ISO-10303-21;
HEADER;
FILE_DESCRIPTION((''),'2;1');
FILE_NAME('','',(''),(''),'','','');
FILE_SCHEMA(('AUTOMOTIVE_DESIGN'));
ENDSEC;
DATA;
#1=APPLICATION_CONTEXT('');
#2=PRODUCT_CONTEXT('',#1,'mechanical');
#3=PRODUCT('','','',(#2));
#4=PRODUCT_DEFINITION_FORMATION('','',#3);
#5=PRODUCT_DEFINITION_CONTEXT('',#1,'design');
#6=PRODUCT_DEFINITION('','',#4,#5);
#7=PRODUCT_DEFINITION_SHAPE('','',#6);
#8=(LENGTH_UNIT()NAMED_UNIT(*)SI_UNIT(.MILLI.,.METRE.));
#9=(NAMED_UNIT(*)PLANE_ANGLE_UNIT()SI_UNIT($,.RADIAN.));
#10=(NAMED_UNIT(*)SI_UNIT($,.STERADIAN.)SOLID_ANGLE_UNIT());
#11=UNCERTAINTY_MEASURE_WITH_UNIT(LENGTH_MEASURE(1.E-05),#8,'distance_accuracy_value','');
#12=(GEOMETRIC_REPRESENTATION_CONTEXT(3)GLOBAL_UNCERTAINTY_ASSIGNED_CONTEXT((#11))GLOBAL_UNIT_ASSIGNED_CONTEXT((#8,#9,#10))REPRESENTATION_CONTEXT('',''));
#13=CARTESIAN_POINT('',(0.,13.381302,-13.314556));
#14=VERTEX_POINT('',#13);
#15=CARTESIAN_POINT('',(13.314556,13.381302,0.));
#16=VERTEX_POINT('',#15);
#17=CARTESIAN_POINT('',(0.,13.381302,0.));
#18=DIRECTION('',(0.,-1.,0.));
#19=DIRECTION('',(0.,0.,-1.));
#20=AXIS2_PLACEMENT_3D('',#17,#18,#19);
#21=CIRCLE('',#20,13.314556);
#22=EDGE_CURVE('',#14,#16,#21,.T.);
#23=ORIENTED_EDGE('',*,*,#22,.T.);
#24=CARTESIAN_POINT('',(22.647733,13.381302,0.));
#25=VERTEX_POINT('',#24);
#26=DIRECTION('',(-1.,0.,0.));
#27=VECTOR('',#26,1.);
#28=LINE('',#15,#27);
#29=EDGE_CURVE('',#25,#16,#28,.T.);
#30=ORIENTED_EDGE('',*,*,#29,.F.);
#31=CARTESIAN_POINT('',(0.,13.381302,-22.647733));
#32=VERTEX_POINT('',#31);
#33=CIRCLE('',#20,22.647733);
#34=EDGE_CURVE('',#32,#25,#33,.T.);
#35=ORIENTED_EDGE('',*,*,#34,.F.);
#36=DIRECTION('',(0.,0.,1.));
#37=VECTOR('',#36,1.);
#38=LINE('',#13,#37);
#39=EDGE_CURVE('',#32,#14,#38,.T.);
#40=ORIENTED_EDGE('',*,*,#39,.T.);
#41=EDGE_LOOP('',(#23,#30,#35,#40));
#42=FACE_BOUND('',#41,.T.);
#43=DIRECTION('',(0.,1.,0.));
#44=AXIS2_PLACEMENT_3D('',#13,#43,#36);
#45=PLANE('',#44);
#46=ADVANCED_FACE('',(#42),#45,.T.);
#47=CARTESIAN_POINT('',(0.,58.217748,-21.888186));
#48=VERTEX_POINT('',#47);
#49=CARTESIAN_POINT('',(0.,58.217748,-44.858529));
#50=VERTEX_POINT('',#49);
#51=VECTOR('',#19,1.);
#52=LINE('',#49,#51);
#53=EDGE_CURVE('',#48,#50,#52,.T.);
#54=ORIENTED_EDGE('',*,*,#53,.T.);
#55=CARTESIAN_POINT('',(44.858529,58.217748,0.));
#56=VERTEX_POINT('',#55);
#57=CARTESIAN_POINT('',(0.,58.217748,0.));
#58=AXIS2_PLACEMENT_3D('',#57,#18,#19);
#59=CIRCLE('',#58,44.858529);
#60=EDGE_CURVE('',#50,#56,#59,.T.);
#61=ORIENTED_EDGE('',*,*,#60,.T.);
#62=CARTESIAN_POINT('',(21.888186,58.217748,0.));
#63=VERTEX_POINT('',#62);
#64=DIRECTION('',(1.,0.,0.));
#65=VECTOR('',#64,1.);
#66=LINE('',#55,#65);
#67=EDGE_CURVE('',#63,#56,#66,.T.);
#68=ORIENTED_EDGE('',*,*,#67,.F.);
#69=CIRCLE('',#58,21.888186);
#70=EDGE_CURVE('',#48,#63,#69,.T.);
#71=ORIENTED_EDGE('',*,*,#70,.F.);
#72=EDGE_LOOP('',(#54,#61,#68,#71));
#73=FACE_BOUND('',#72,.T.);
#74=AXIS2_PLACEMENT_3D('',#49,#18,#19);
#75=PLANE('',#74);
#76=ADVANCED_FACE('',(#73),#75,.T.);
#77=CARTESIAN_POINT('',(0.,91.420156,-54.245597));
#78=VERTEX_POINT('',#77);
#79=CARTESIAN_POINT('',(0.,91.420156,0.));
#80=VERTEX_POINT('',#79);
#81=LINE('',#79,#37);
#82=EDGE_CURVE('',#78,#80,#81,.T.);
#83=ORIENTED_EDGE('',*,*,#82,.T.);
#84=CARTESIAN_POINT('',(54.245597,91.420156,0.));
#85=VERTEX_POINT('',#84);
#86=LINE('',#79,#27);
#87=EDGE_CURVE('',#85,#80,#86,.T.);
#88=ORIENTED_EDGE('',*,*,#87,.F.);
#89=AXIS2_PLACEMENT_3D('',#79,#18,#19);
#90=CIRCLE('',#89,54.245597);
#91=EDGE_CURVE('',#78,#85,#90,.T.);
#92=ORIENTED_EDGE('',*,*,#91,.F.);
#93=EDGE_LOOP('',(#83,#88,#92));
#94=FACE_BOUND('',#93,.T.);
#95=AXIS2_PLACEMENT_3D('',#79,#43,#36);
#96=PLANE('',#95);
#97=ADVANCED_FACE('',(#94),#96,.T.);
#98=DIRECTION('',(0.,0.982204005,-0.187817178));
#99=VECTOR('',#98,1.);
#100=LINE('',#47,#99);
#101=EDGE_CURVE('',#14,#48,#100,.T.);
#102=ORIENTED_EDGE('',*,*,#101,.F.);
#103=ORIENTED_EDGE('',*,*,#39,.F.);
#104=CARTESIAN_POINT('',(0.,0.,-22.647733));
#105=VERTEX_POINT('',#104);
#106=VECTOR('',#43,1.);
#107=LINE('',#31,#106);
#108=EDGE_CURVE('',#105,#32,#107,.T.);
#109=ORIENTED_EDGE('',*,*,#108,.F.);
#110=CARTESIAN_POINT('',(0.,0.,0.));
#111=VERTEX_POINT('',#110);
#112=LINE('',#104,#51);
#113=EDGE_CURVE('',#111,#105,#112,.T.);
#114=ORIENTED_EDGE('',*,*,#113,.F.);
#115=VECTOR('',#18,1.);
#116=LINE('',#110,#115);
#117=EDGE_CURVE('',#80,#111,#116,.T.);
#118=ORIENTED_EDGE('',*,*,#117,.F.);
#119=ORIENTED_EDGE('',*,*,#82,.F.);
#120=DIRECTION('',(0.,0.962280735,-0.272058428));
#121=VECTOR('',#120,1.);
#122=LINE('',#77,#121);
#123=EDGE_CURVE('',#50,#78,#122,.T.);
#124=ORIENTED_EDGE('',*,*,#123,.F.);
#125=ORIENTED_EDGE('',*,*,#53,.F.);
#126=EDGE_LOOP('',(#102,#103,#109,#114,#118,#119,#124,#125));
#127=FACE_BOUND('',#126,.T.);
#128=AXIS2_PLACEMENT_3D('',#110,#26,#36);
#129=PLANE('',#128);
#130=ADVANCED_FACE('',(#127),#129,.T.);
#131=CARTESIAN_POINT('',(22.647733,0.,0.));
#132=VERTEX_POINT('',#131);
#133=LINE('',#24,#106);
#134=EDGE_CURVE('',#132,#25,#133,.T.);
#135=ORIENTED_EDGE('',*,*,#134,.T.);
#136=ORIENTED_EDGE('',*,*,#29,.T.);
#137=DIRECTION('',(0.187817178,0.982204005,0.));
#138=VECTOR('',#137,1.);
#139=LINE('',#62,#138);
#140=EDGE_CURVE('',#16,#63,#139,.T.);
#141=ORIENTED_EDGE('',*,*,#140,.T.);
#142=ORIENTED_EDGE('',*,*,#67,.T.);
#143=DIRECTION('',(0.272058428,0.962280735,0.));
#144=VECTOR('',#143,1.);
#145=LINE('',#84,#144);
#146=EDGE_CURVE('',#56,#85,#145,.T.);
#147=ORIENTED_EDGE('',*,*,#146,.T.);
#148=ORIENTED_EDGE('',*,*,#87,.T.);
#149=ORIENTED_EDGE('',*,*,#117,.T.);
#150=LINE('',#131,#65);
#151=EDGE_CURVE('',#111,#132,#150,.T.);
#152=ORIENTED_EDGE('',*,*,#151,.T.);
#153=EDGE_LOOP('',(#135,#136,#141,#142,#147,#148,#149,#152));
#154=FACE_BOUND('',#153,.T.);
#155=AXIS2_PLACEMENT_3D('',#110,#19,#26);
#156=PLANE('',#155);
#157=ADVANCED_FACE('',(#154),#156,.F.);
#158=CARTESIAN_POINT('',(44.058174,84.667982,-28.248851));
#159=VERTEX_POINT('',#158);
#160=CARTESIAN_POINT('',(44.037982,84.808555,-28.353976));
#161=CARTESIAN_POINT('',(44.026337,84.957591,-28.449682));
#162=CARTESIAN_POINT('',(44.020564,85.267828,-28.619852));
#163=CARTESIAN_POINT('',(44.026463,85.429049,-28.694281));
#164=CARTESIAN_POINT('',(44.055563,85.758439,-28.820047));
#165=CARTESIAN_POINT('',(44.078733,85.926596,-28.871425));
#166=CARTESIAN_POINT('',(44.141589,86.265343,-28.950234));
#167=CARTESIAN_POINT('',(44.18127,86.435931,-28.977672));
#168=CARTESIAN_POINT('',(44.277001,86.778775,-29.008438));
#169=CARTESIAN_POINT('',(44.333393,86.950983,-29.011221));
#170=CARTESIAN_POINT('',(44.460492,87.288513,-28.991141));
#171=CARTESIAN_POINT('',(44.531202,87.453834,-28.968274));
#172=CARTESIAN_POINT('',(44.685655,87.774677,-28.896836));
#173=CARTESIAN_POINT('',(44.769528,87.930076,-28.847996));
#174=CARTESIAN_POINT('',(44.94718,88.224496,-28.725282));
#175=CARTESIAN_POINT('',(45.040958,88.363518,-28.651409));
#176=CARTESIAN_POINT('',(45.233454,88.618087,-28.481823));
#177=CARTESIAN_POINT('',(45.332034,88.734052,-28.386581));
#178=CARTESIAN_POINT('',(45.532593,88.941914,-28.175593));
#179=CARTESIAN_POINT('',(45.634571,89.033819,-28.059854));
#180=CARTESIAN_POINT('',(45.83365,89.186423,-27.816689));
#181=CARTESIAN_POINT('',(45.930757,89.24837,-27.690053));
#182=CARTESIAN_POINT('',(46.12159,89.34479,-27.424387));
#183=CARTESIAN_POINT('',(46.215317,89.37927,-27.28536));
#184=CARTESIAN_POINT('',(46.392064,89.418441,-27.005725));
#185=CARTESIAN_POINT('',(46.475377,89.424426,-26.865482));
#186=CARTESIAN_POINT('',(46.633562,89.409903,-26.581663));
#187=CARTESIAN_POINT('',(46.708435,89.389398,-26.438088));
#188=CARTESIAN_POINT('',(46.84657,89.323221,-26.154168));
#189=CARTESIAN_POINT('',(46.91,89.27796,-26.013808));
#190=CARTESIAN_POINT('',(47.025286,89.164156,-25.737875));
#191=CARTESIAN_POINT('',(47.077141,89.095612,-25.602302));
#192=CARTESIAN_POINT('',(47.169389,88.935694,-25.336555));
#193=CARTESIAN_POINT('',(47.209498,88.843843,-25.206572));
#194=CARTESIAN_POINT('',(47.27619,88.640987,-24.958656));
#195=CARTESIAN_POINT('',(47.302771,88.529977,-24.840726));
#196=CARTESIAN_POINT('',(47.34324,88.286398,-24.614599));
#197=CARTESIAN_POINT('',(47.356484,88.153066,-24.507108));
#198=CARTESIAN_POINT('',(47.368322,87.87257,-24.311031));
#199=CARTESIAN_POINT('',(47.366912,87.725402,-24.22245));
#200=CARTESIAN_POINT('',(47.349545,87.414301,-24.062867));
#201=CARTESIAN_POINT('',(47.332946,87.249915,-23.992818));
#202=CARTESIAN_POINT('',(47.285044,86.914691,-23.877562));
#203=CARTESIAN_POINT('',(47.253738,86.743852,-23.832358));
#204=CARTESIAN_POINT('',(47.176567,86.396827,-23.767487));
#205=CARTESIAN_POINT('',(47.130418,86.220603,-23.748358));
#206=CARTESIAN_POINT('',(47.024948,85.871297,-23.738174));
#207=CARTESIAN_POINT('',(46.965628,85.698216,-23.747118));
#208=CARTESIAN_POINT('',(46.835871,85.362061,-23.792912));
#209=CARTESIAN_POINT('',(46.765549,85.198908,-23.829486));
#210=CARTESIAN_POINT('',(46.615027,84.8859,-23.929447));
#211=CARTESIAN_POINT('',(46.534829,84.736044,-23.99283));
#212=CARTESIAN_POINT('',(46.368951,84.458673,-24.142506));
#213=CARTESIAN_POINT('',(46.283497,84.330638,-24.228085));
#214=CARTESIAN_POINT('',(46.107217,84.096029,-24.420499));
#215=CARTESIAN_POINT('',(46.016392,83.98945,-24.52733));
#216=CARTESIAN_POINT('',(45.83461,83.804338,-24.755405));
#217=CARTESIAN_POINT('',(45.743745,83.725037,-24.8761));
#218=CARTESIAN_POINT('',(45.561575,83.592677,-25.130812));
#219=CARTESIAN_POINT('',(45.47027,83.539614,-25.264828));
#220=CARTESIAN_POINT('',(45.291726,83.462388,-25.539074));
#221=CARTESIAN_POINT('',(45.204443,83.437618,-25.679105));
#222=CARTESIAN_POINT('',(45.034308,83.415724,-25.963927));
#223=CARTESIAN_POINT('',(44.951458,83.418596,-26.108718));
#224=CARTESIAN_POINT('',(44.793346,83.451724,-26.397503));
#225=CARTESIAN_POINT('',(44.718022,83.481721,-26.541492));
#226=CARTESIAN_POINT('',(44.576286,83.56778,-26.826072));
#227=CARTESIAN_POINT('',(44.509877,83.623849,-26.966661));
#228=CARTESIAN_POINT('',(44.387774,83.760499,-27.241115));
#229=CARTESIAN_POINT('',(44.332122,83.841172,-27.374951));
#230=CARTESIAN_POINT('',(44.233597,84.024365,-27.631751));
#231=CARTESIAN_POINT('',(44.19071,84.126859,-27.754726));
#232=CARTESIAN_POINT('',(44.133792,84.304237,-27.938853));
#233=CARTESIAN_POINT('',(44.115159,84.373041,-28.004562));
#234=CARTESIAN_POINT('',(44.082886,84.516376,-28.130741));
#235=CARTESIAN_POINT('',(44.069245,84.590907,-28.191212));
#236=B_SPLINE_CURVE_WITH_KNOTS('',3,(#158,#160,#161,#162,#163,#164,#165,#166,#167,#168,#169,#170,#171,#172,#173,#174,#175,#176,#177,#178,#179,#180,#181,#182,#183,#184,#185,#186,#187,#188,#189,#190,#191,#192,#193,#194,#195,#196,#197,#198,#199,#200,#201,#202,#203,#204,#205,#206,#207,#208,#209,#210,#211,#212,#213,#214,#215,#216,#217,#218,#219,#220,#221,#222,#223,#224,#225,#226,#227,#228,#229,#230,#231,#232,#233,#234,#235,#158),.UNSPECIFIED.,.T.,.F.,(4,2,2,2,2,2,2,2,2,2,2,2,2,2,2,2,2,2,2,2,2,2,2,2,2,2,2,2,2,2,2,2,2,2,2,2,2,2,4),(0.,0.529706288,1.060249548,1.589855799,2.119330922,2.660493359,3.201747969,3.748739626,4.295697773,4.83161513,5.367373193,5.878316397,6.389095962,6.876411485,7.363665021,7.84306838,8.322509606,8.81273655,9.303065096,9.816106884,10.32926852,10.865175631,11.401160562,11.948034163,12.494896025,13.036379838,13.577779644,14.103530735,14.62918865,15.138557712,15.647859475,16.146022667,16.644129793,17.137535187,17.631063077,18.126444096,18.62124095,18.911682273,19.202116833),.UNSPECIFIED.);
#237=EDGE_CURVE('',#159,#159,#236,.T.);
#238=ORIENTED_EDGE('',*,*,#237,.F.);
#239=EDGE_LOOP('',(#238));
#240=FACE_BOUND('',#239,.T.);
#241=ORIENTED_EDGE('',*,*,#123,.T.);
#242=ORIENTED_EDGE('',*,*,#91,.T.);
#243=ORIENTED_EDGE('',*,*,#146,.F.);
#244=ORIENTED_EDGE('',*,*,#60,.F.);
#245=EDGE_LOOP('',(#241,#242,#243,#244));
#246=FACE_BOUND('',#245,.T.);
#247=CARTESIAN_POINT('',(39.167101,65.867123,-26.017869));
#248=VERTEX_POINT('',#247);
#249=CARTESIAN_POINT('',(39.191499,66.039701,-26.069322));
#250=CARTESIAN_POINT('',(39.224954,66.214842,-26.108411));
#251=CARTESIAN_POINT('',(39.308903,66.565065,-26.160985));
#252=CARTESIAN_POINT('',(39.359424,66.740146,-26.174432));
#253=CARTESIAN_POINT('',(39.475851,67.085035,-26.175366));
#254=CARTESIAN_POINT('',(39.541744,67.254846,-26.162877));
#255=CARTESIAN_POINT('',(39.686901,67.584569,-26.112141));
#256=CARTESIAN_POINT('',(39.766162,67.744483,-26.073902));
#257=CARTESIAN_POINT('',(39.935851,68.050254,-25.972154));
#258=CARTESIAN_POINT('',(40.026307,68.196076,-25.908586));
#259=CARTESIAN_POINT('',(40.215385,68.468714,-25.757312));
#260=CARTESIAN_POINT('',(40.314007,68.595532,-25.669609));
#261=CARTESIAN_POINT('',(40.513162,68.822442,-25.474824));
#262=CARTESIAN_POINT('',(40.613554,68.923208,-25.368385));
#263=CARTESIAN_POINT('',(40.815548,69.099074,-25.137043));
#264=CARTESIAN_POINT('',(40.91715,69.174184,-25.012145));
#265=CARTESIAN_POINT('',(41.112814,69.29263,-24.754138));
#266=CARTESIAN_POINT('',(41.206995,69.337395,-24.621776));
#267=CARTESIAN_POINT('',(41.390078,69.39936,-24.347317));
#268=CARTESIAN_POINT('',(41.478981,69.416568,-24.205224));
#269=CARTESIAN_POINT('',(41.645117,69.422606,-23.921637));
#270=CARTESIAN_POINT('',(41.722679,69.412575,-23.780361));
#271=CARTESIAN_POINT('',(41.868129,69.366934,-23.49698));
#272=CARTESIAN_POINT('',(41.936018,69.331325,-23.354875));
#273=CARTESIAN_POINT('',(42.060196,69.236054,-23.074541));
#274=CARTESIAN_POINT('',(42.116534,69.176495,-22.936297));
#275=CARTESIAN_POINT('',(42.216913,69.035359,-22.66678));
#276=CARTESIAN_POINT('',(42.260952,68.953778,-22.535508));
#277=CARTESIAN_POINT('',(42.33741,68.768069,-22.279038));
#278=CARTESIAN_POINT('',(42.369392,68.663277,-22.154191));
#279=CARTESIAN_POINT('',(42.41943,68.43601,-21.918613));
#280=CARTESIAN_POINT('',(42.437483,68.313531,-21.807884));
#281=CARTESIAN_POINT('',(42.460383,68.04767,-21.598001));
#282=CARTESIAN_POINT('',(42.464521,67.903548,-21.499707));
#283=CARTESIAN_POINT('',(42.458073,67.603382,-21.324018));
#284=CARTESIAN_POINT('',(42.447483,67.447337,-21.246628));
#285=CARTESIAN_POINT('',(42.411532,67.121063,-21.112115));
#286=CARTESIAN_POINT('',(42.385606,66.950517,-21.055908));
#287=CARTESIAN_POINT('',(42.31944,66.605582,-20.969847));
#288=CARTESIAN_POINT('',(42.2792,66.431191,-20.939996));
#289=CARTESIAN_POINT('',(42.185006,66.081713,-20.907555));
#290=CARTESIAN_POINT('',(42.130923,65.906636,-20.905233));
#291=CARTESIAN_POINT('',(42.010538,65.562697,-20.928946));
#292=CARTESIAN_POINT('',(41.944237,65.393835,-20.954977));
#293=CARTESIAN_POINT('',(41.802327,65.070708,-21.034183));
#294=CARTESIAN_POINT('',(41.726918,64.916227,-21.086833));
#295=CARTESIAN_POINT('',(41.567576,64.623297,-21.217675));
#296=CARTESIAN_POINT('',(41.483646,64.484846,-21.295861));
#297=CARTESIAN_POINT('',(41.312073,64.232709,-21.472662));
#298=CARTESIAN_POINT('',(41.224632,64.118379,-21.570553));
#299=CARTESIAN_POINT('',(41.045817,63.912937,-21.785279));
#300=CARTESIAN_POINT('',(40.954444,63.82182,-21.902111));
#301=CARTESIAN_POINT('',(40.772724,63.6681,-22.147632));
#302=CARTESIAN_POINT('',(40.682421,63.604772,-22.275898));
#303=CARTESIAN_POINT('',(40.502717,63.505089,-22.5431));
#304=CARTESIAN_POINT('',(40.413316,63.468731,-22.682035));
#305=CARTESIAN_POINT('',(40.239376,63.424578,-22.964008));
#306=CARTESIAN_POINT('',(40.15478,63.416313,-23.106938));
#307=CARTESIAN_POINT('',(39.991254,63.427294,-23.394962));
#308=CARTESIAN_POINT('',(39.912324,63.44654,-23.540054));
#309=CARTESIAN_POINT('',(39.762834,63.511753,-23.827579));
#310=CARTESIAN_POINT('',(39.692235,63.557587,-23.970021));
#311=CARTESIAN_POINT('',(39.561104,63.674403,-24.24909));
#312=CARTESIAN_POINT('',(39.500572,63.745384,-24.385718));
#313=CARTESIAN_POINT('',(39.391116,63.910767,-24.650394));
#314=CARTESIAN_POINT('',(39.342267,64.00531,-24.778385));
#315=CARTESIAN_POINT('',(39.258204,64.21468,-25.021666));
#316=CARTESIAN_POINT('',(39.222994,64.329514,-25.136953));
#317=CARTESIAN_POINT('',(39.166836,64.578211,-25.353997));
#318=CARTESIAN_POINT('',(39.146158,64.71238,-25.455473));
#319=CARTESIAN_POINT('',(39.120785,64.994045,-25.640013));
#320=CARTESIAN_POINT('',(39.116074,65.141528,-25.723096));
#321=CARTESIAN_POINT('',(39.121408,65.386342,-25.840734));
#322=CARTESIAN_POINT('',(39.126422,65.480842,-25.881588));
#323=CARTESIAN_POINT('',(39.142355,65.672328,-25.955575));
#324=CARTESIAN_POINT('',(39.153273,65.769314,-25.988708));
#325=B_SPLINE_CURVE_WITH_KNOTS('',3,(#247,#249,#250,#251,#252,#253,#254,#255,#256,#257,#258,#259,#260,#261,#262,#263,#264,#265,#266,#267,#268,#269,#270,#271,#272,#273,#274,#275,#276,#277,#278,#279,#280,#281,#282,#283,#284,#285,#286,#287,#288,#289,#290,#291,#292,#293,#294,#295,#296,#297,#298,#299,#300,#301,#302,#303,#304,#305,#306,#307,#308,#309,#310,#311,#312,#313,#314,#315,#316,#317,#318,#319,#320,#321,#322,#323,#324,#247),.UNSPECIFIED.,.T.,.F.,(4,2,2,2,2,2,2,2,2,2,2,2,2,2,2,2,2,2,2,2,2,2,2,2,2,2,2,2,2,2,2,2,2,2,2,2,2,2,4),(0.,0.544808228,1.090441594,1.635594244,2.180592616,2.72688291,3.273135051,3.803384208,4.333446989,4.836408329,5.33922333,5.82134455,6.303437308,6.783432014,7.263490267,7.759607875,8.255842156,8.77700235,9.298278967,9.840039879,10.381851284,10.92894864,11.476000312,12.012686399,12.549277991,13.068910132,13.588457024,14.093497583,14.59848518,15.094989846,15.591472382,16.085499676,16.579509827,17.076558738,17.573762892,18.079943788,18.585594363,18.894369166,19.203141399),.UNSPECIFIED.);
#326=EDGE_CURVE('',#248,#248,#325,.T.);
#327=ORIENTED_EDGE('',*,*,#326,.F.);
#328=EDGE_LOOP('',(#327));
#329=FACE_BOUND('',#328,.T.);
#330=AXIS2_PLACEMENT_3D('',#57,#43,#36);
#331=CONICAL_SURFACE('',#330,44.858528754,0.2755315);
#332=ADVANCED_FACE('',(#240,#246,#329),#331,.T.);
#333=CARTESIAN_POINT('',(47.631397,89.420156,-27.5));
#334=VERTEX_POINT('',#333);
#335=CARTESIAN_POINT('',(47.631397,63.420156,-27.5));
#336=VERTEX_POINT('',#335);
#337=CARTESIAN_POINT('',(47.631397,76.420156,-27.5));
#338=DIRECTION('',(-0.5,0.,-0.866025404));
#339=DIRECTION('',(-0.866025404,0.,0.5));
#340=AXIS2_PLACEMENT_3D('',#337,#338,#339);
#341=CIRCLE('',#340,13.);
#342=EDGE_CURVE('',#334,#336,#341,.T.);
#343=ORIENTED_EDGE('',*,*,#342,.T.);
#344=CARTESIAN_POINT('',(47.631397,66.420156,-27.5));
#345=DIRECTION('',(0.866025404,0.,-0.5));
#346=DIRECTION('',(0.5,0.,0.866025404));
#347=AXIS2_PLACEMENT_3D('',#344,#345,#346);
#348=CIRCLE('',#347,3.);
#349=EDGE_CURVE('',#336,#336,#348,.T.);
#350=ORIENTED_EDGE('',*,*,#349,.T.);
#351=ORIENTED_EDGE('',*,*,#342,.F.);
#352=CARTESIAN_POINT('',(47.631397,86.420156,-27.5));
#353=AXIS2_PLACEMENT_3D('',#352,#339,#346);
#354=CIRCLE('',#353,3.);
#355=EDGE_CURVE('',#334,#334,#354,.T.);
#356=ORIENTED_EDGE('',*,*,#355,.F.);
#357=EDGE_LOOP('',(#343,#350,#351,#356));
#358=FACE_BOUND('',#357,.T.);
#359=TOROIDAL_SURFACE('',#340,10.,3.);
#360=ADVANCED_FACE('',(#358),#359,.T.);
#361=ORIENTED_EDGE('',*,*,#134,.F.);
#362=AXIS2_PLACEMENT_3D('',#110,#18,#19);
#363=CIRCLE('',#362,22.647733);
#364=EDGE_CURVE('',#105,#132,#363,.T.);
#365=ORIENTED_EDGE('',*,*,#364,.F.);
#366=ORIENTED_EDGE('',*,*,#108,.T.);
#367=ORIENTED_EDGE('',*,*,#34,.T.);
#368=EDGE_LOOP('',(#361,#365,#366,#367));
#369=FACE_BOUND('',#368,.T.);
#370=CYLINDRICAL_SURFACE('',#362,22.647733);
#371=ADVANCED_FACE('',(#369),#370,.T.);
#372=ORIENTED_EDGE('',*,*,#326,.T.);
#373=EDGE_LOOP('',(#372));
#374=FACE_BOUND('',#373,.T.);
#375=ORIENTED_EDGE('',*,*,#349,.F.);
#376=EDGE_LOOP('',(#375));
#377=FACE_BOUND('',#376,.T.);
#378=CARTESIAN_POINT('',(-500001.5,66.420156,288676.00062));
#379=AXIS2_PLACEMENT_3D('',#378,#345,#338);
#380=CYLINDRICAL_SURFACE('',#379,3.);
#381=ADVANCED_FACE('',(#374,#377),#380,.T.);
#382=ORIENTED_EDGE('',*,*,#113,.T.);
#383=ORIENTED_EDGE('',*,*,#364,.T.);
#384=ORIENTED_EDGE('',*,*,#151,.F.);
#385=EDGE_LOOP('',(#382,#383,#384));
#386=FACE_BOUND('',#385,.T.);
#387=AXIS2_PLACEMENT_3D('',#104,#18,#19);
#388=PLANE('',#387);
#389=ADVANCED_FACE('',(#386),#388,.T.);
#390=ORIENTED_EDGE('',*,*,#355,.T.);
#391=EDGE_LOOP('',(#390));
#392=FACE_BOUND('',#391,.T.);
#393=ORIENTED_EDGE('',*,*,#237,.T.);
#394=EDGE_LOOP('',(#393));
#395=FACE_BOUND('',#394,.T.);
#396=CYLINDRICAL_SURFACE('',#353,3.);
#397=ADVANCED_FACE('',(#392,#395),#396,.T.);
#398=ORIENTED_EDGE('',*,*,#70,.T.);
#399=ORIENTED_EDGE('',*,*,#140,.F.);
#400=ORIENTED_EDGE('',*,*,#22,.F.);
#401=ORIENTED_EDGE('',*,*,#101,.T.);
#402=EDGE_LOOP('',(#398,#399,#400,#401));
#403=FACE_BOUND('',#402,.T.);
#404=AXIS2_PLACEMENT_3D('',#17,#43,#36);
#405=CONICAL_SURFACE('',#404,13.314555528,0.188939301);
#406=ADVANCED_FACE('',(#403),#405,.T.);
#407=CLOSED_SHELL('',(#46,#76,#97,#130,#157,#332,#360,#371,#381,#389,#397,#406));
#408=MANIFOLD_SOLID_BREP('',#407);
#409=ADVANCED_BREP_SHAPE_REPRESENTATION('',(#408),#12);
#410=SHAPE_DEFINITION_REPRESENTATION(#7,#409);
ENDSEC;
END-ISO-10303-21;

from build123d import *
from build123d.topology import SkipClean

# Parameters (mm, degrees)
ROTATION1_ANGLE                 = 90
SKIZZE5_R                       = 3
SKIZZE7_R                       = 3
AUFSATZ_LINEAR_AUSTRAGEN1_DEPTH = 7.91623


with BuildPart() as part:
    # Skizze1 → Rotation1 (revolve)
    with BuildSketch(Plane.XY):
        Polygon((0, 0), (0, 91.42015625), (54.245597194, 91.42015625), (44.858528754, 58.217747507), (21.888186449, 58.217747507), (13.314555528, 13.381302083), (22.647732611, 13.381302083), (22.647732611, 0), align=None)
    revolve(axis=Axis((0, 0, 0), (0, 1, 0)), revolution_arc=ROTATION1_ANGLE)



with BuildPart() as body_2:
    # Austragung2: sweep along a path in Skizze6
    with BuildLine(Plane(origin=(0, 0, 0), x_dir=(0.866025404, 0, -0.5), z_dir=(0.5, 0, 0.866025404))) as austragung2_path:
        Line((54.245597194, 86.42015625), (55, 86.42015625))
        ThreePointArc((55, 86.42015625), (65, 76.42015625), (55, 66.42015625))
        Line((55, 66.42015625), (54.245597194, 66.42015625))
    # Skizze5 → Austragung2 (sweep)
    with BuildSketch(Plane(origin=(46.978065214, 0, -27.122798597), x_dir=(0.5, 0, 0.866025404), z_dir=(-0.866025404, 0, 0.5))):
        with Locations((0, 86.42015625)):
            Circle(SKIZZE5_R)
    sweep(path=austragung2_path.line)


with BuildPart() as part_1:
    with SkipClean():  # keep this step's faces unmerged: merging them makes the solid invalid here
        add(part.part)

        add(body_2.part)  # Aufsatz-Linear austragen1 merges body 2
        # Skizze7 → Aufsatz-Linear austragen1 (add)
        with BuildSketch(Plane(origin=(46.978065214, 0, -27.122798597), x_dir=(0.5, 0, 0.866025404), z_dir=(-0.866025404, 0, 0.5))):
            with Locations(Location((0, 66.42015625, 0), (0, 0, 190.622906641))):  # turned: the seam where the file's is
                Circle(SKIZZE7_R)
            with Locations(Location((0, 86.42015625, 0), (0, 0, 90))):  # turned: the seam where the file's is
                Circle(SKIZZE7_R)
        extrude(amount=AUFSATZ_LINEAR_AUSTRAGEN1_DEPTH)


solid = part_1.part
